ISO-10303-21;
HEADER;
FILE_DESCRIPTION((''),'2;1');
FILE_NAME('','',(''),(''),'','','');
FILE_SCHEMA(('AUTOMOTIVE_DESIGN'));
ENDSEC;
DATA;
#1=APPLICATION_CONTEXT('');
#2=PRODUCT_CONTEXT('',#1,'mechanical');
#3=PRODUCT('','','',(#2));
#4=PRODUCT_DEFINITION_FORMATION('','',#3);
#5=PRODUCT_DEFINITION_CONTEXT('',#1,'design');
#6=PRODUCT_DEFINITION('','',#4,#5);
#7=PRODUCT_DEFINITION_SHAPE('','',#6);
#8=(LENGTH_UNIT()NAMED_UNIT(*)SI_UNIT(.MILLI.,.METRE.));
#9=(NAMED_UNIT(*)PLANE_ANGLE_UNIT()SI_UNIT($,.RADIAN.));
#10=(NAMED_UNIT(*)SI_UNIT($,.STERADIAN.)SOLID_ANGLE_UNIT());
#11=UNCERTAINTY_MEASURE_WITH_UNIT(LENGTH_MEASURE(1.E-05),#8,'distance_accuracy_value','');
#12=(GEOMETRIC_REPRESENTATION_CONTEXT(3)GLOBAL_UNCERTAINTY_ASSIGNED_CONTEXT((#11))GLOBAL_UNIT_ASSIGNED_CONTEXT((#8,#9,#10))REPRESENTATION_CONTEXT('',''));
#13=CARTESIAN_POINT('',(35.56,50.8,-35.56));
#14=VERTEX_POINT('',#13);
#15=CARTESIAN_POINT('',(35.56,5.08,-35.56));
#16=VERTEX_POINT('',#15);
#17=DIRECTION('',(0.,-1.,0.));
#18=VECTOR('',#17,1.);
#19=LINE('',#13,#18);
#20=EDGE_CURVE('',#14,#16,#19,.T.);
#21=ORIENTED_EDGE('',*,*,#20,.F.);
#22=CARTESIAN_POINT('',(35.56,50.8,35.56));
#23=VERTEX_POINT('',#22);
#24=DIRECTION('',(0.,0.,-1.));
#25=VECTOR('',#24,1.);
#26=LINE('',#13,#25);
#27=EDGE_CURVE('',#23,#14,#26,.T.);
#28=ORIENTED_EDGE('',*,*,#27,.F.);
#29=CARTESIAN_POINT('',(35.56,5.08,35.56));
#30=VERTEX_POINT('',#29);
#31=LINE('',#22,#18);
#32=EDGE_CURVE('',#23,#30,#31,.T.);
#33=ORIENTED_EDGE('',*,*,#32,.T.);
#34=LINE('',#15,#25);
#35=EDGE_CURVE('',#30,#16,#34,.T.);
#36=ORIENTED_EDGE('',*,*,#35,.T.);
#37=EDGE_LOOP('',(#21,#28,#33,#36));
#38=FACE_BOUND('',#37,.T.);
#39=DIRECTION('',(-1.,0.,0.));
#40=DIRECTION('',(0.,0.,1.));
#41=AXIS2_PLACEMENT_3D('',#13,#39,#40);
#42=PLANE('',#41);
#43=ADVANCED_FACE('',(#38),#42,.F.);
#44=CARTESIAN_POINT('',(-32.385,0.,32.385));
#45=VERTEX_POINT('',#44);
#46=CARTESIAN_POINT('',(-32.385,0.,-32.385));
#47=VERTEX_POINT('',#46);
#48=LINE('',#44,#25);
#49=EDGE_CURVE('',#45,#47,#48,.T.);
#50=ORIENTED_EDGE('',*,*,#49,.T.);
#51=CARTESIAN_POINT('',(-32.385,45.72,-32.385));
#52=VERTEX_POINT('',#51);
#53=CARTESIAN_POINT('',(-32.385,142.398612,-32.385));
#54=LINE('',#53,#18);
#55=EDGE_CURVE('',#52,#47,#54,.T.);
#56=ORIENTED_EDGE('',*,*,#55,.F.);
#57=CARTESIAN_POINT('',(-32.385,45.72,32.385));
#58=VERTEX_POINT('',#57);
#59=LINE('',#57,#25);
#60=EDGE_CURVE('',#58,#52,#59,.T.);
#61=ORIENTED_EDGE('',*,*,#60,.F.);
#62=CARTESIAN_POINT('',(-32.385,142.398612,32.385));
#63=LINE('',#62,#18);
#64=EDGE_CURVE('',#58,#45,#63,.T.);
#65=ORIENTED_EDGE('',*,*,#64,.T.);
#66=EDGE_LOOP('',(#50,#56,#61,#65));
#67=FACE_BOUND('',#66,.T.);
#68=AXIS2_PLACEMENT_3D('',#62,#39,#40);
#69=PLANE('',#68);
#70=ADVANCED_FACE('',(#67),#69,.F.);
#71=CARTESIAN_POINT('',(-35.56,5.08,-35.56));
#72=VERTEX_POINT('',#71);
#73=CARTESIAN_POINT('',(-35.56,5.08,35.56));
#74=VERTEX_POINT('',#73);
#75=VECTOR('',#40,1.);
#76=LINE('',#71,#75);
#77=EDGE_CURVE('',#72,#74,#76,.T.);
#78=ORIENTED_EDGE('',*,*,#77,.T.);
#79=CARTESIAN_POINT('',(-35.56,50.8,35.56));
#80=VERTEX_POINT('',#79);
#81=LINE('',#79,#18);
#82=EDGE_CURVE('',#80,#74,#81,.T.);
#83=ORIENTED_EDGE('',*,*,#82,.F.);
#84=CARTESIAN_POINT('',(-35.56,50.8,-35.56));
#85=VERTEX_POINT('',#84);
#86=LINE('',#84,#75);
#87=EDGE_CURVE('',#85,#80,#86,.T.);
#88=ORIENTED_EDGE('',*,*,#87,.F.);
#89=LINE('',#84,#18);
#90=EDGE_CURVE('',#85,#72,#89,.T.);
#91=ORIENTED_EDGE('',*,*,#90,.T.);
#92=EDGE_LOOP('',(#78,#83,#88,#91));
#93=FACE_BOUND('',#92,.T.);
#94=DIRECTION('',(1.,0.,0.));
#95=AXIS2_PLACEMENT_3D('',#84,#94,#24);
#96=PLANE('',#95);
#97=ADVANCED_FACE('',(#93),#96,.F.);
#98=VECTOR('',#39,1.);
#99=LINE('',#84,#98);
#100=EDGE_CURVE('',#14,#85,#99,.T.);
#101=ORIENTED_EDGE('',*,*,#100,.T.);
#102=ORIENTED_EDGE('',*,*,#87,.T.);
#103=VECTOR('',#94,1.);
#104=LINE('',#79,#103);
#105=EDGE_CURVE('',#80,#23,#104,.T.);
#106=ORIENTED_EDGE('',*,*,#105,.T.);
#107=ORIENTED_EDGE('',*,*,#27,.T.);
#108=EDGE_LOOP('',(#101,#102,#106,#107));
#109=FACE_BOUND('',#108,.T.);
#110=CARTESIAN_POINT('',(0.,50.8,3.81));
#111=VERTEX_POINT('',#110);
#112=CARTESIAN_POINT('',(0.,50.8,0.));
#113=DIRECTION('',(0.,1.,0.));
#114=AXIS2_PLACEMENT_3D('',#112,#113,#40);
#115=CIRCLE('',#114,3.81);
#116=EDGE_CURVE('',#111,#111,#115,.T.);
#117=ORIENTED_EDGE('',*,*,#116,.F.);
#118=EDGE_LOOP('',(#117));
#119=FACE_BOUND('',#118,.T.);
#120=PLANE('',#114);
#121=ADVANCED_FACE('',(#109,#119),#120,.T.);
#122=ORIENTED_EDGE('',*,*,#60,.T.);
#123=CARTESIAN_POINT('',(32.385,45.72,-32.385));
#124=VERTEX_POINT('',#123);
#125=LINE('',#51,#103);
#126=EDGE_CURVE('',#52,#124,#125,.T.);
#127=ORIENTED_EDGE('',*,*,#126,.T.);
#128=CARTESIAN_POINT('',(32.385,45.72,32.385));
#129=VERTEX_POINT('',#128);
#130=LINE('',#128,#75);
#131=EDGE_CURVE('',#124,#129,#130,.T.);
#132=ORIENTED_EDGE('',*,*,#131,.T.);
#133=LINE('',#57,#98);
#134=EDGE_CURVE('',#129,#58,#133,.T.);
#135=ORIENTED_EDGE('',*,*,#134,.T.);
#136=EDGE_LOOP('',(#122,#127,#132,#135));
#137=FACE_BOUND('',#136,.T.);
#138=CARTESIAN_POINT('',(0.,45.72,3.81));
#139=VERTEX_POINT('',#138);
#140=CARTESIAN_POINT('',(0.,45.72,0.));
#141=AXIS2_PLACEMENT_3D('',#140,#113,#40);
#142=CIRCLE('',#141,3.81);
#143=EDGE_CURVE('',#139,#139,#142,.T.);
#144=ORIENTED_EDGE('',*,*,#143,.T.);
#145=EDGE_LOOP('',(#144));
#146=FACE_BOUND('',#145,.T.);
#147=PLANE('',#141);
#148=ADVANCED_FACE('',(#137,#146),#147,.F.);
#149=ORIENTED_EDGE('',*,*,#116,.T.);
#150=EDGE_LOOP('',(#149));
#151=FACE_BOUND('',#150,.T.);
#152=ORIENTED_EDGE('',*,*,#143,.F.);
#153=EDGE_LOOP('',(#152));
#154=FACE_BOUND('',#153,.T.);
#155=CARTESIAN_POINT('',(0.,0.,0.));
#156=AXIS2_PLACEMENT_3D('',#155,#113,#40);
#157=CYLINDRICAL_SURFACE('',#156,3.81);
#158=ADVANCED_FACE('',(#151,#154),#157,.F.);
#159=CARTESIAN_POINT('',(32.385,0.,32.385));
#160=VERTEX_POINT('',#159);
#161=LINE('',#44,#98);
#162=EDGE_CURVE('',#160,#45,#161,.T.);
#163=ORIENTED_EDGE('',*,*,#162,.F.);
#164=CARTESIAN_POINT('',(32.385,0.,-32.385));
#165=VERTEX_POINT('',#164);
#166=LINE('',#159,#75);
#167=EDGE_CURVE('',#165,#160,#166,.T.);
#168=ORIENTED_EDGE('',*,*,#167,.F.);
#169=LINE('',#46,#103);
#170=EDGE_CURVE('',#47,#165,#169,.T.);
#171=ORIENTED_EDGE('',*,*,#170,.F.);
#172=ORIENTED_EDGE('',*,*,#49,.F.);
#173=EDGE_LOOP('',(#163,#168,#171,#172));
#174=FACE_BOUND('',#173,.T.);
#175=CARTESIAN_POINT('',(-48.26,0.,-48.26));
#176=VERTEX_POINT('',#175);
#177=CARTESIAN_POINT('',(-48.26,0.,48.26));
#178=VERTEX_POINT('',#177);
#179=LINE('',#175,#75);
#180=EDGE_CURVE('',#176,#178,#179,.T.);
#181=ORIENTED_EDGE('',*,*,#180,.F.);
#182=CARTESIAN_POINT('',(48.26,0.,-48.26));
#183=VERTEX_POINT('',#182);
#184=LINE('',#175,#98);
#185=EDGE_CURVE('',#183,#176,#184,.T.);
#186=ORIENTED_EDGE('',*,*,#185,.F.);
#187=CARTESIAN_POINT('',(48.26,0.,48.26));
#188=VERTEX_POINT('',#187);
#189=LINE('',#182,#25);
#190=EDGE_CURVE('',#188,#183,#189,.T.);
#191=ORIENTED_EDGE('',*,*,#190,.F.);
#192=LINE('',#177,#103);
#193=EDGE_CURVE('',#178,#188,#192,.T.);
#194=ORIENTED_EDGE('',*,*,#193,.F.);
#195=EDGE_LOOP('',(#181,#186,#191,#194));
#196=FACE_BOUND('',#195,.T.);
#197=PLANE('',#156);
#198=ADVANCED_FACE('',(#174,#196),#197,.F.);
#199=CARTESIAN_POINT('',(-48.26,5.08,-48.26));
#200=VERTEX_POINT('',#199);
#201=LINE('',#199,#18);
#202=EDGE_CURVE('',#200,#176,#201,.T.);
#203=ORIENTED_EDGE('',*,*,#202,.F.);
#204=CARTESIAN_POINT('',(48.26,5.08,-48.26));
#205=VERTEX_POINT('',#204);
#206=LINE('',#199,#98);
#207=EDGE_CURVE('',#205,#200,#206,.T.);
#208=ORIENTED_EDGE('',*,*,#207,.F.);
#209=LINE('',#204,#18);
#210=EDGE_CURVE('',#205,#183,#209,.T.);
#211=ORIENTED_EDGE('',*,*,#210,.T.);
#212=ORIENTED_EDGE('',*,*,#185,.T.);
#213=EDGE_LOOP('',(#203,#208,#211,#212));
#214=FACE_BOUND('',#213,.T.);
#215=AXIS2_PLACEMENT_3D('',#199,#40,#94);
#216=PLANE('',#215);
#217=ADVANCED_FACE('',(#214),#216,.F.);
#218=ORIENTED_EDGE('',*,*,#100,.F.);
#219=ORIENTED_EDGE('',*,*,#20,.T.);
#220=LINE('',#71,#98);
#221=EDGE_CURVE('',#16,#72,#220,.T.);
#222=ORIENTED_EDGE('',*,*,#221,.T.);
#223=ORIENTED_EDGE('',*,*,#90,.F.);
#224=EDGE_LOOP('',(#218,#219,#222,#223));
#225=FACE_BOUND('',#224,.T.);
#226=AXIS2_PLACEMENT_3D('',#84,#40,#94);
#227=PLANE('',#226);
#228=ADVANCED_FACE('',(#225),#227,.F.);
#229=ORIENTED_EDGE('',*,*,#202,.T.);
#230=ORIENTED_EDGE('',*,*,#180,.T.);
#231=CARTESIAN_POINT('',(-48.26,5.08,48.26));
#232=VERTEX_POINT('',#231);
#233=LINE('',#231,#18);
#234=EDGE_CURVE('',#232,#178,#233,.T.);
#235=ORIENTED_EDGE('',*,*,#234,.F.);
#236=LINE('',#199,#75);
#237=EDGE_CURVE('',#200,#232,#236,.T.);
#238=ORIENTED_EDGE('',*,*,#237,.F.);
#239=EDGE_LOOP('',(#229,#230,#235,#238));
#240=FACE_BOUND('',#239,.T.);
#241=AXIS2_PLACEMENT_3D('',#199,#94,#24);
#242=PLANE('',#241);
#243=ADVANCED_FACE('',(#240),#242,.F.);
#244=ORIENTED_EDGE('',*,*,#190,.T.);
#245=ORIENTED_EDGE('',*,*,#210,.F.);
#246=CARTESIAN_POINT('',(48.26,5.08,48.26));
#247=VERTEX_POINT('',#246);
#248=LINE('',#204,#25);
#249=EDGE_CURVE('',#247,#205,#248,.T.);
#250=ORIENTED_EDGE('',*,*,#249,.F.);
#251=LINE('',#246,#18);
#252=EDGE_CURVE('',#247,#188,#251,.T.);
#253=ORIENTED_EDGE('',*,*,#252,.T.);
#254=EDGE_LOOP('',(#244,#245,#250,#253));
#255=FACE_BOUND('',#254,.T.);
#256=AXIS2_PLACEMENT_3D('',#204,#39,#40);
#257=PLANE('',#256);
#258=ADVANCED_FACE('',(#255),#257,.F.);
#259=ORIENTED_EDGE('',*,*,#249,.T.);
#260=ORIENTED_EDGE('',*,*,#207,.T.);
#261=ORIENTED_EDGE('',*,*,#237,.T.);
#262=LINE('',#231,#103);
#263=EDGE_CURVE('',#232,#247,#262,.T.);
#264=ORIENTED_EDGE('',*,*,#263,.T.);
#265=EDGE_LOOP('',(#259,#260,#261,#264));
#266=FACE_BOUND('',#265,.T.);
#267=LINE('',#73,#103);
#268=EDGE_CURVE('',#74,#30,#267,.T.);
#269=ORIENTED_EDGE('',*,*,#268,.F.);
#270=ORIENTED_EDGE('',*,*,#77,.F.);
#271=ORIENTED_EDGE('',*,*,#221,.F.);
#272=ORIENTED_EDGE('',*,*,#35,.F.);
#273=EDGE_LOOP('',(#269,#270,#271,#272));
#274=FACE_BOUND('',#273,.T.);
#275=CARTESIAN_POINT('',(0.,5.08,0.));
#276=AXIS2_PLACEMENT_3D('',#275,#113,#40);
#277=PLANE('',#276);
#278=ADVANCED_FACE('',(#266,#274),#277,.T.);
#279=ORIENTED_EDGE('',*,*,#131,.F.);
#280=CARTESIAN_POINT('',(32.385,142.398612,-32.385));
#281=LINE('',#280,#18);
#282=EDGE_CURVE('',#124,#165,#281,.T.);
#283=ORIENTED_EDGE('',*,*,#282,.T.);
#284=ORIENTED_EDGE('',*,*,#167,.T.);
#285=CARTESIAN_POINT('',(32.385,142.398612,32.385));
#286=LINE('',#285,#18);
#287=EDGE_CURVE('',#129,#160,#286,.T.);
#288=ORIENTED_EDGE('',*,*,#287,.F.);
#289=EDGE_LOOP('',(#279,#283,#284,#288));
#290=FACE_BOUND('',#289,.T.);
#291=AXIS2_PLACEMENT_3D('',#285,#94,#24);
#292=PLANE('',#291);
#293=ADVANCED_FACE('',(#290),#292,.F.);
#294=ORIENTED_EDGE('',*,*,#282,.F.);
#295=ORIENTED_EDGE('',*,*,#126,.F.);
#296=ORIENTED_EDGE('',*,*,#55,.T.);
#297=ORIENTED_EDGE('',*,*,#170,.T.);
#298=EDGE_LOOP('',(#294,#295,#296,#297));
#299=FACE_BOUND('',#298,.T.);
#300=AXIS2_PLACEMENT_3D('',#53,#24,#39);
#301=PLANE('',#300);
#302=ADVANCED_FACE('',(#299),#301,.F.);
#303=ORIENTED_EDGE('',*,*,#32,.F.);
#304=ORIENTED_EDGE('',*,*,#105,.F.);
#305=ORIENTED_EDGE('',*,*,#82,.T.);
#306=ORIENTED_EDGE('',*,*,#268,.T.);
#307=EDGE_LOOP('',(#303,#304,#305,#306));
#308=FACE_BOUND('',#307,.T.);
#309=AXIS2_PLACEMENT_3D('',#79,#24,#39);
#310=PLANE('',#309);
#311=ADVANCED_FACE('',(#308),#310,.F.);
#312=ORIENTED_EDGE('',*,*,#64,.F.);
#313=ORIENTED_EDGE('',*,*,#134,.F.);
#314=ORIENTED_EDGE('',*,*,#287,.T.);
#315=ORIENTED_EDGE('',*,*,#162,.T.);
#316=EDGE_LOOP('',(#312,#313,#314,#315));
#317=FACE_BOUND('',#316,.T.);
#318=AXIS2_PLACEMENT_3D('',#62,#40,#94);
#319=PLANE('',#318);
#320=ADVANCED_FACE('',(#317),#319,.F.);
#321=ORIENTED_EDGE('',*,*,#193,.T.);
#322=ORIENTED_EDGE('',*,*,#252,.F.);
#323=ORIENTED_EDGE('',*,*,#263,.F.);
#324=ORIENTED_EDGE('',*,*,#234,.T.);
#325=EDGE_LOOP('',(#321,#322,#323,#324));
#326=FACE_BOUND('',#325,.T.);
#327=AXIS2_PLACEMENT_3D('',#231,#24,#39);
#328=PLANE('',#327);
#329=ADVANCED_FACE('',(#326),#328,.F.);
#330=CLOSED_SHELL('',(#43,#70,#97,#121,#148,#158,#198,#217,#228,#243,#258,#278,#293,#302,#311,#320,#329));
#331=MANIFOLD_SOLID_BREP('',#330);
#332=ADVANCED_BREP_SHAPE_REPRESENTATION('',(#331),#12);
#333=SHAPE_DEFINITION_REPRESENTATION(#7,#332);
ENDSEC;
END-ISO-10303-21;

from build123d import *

# Parameters (mm, degrees)
SKETCH1_W           = 71.12
SKETCH1_H           = 71.12
BOSS_EXTRUDE1_DEPTH = 50.8
SKETCH2_W           = 96.52
SKETCH2_H           = 96.52
BOSS_EXTRUDE2_DEPTH = 5.08
SKETCH3_W           = 64.77
SKETCH3_H           = 64.77
CUT_EXTRUDE1_DEPTH  = 45.72
SKETCH4_R           = 3.81
CUT_EXTRUDE2_DEPTH  = 86.08052186


with BuildPart() as part:
    # Sketch1 → Boss-Extrude1 (new body)
    with BuildSketch(Plane(origin=(0, 0, 0), x_dir=(1, 0, 0), z_dir=(0, 1, 0))):
        Rectangle(SKETCH1_W, SKETCH1_H)
    extrude(amount=BOSS_EXTRUDE1_DEPTH)

    # Sketch2 → Boss-Extrude2 (add)
    with BuildSketch(Plane(origin=(0, 0, 0), x_dir=(1, 0, 0), z_dir=(0, 1, 0))):
        Rectangle(SKETCH2_W, SKETCH2_H)
    extrude(amount=BOSS_EXTRUDE2_DEPTH)

    # Sketch3 → Cut-Extrude1 (cut)
    with BuildSketch(Plane.XZ):
        Rectangle(SKETCH3_W, SKETCH3_H)
    extrude(amount=-CUT_EXTRUDE1_DEPTH, mode=Mode.SUBTRACT)

    # Sketch4 → Cut-Extrude2 (cut, through all)
    with BuildSketch(Plane(origin=(0, 50.8, 0), x_dir=(1, 0, 0), z_dir=(0, 1, 0))):
        with Locations(Location((0, 0, 0), (0, 0, 270))):
            Circle(SKETCH4_R)
    extrude(amount=-CUT_EXTRUDE2_DEPTH, mode=Mode.SUBTRACT)


solid = part.part
